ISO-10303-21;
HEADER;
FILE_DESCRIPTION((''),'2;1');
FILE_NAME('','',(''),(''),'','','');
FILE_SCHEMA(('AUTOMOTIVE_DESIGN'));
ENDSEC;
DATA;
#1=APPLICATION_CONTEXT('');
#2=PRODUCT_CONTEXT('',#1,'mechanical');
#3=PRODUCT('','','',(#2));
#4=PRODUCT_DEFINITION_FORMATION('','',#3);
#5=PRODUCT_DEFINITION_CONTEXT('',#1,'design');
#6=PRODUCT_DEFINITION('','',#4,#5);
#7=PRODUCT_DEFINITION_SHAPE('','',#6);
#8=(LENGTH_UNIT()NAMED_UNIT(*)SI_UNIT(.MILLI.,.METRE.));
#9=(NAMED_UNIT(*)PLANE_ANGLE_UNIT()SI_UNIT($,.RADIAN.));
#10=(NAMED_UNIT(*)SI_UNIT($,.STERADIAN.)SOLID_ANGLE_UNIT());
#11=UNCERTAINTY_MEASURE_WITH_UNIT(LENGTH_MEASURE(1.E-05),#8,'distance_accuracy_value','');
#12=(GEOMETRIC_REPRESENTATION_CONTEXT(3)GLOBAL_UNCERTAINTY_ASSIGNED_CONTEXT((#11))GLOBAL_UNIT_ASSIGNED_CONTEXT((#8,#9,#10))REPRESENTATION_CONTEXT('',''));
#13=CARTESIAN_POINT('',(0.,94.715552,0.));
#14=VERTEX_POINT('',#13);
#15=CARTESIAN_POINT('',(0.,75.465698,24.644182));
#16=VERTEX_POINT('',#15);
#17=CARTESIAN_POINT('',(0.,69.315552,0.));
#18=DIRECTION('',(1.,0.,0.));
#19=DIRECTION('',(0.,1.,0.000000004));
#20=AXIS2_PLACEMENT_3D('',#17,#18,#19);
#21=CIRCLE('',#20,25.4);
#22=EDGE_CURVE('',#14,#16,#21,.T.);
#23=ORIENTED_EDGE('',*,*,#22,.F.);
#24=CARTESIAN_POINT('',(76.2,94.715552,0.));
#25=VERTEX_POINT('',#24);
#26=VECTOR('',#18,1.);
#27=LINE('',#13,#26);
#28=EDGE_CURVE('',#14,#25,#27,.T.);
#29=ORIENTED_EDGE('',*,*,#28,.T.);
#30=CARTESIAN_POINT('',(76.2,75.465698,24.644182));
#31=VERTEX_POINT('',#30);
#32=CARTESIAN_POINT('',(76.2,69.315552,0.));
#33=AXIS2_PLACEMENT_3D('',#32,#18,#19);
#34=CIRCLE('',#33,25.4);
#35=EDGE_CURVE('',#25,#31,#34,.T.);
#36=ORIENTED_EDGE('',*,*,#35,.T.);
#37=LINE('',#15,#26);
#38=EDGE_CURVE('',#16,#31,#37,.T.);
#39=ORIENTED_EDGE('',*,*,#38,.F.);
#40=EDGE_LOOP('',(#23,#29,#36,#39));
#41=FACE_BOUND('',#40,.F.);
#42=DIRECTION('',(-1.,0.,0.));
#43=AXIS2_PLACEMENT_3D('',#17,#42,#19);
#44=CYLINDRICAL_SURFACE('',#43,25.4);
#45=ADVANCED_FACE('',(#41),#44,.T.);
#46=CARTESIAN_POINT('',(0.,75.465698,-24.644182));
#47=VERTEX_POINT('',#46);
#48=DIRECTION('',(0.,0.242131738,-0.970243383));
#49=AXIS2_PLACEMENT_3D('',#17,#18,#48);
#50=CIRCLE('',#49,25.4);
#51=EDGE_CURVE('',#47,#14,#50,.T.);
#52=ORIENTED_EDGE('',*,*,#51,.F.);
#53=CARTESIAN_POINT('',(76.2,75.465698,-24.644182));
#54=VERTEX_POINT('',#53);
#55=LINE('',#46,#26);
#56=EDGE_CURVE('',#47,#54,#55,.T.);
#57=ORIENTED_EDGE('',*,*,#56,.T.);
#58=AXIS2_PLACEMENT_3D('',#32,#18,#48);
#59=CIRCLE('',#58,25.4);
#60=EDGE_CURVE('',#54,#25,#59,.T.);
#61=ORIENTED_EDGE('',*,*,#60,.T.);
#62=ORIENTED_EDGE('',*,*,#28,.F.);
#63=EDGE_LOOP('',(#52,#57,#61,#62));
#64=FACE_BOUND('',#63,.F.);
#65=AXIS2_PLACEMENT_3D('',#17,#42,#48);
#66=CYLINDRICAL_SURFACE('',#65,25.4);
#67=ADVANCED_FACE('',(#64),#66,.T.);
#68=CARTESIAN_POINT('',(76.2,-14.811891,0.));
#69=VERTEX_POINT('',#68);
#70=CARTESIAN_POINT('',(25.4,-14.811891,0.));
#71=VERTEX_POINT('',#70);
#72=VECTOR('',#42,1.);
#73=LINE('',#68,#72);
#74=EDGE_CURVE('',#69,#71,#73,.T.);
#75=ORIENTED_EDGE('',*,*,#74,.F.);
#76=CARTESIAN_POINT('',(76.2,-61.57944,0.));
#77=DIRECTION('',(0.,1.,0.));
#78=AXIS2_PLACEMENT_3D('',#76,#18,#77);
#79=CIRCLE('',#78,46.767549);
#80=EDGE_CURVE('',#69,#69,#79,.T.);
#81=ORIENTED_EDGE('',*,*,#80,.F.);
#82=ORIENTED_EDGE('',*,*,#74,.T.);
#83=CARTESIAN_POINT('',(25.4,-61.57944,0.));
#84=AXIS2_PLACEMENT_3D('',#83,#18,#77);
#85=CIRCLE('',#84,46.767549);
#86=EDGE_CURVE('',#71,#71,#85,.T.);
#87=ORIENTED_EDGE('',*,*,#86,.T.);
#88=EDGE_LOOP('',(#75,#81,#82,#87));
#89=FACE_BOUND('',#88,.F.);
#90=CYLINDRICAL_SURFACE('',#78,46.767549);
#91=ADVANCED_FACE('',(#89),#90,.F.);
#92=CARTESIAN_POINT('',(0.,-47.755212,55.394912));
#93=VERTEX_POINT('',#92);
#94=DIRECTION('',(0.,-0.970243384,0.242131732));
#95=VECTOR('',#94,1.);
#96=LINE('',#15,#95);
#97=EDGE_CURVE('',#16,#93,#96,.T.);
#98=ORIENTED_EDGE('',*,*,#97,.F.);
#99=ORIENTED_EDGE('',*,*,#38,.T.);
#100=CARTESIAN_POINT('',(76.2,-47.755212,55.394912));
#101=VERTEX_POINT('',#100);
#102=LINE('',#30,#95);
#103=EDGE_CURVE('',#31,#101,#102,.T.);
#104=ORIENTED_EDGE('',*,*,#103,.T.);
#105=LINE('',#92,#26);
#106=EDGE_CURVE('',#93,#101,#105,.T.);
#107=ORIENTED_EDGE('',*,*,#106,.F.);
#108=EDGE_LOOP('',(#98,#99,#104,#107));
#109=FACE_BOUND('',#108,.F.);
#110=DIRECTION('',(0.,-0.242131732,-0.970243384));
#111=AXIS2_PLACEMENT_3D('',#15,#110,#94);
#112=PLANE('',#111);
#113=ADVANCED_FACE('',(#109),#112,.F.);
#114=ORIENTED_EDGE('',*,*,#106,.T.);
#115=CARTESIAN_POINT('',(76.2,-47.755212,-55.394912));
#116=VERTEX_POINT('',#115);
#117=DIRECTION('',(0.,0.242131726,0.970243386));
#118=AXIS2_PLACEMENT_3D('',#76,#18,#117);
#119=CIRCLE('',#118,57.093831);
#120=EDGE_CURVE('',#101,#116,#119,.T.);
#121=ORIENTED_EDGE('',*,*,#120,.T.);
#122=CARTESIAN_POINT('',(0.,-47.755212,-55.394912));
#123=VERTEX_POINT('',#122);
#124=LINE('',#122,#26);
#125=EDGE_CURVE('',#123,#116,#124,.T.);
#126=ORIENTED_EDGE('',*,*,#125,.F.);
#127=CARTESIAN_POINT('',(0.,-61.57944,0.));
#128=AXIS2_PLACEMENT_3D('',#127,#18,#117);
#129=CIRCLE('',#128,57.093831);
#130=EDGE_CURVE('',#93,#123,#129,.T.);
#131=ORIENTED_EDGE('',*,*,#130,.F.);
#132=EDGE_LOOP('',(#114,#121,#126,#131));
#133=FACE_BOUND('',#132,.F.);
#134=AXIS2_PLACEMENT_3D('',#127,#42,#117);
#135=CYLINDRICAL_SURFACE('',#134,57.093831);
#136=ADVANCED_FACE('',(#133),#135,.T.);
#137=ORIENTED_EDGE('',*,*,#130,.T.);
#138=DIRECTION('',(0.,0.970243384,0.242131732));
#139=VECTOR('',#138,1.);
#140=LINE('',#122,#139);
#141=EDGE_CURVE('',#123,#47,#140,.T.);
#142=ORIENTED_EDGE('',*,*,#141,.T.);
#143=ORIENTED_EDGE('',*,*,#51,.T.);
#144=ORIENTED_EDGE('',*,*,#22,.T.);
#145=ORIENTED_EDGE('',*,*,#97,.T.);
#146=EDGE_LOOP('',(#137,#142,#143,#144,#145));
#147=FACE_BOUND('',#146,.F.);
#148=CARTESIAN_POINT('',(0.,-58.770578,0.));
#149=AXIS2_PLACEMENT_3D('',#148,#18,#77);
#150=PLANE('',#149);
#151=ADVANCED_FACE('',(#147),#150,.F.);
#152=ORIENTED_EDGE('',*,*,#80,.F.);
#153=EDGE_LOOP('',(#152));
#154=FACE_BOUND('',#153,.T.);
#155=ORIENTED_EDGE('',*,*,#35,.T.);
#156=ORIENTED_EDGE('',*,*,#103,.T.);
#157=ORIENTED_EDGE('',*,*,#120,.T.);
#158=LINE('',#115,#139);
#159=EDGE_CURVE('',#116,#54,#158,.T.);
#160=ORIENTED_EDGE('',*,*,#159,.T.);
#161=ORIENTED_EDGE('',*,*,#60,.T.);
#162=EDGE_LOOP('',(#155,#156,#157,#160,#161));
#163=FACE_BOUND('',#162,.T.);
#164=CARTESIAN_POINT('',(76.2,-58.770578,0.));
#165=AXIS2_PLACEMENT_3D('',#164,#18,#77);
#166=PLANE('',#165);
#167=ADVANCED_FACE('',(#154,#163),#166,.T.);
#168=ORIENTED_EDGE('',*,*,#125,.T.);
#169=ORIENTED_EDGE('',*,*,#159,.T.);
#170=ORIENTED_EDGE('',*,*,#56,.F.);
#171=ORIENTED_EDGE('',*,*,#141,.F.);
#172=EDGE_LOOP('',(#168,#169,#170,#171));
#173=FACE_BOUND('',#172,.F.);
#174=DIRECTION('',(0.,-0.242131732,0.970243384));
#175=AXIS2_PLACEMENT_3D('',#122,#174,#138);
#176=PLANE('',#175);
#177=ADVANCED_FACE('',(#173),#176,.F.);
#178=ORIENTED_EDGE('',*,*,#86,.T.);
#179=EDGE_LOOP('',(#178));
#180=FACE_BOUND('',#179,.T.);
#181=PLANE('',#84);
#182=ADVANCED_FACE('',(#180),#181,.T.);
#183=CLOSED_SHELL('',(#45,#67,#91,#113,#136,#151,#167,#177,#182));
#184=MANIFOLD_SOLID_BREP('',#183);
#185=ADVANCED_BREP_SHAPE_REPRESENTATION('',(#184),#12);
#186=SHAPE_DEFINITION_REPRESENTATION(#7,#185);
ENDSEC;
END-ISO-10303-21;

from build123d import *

# Parameters (mm, degrees)
F1_DEPTH = 76.2
F2_R     = 46.767549
F3_DEPTH = 50.8


with BuildPart() as f1:
    # F0 (on Right) → F1 (new body)
    with BuildSketch(Plane.YZ):
        with BuildLine():
            ThreePointArc((-47.755212, -55.394912), (-16.585087, -35.145607), (-4.485609, 0))
            ThreePointArc((-4.485609, 0), (-16.585087, 35.145607), (-47.755212, 55.394912))
            ThreePointArc((-47.755212, 55.394912), (-118.673271, 0), (-47.755212, -55.394912))
        make_face()
        with BuildLine():
            ThreePointArc((-47.755212, 55.394912), (-16.585087, 35.145607), (-4.485609, 0))
            ThreePointArc((-4.485609, 0), (-16.585087, -35.145607), (-47.755212, -55.394912))
            Line((-47.755212, -55.394912), (75.465698, -24.644182))
            ThreePointArc((75.465698, -24.644182), (43.915552, 0), (75.465698, 24.644182))
            Line((75.465698, 24.644182), (-47.755212, 55.394912))
        make_face()
        with BuildLine():
            ThreePointArc((94.715552, 0), (89.332716, 15.635637), (75.465698, 24.644182))
            ThreePointArc((75.465698, 24.644182), (43.915552, 0), (75.465698, -24.644182))
            ThreePointArc((75.465698, -24.644182), (89.332716, -15.635637), (94.715552, 0))
        make_face()
    extrude(amount=F1_DEPTH)

    # F2 (on face) → F3 (cut)
    with BuildSketch(Plane.YZ.offset(76.2)):
        with Locations((-61.57944, 0)):
            Circle(F2_R)
    extrude(amount=-F3_DEPTH, mode=Mode.SUBTRACT)


solid = f1.part
